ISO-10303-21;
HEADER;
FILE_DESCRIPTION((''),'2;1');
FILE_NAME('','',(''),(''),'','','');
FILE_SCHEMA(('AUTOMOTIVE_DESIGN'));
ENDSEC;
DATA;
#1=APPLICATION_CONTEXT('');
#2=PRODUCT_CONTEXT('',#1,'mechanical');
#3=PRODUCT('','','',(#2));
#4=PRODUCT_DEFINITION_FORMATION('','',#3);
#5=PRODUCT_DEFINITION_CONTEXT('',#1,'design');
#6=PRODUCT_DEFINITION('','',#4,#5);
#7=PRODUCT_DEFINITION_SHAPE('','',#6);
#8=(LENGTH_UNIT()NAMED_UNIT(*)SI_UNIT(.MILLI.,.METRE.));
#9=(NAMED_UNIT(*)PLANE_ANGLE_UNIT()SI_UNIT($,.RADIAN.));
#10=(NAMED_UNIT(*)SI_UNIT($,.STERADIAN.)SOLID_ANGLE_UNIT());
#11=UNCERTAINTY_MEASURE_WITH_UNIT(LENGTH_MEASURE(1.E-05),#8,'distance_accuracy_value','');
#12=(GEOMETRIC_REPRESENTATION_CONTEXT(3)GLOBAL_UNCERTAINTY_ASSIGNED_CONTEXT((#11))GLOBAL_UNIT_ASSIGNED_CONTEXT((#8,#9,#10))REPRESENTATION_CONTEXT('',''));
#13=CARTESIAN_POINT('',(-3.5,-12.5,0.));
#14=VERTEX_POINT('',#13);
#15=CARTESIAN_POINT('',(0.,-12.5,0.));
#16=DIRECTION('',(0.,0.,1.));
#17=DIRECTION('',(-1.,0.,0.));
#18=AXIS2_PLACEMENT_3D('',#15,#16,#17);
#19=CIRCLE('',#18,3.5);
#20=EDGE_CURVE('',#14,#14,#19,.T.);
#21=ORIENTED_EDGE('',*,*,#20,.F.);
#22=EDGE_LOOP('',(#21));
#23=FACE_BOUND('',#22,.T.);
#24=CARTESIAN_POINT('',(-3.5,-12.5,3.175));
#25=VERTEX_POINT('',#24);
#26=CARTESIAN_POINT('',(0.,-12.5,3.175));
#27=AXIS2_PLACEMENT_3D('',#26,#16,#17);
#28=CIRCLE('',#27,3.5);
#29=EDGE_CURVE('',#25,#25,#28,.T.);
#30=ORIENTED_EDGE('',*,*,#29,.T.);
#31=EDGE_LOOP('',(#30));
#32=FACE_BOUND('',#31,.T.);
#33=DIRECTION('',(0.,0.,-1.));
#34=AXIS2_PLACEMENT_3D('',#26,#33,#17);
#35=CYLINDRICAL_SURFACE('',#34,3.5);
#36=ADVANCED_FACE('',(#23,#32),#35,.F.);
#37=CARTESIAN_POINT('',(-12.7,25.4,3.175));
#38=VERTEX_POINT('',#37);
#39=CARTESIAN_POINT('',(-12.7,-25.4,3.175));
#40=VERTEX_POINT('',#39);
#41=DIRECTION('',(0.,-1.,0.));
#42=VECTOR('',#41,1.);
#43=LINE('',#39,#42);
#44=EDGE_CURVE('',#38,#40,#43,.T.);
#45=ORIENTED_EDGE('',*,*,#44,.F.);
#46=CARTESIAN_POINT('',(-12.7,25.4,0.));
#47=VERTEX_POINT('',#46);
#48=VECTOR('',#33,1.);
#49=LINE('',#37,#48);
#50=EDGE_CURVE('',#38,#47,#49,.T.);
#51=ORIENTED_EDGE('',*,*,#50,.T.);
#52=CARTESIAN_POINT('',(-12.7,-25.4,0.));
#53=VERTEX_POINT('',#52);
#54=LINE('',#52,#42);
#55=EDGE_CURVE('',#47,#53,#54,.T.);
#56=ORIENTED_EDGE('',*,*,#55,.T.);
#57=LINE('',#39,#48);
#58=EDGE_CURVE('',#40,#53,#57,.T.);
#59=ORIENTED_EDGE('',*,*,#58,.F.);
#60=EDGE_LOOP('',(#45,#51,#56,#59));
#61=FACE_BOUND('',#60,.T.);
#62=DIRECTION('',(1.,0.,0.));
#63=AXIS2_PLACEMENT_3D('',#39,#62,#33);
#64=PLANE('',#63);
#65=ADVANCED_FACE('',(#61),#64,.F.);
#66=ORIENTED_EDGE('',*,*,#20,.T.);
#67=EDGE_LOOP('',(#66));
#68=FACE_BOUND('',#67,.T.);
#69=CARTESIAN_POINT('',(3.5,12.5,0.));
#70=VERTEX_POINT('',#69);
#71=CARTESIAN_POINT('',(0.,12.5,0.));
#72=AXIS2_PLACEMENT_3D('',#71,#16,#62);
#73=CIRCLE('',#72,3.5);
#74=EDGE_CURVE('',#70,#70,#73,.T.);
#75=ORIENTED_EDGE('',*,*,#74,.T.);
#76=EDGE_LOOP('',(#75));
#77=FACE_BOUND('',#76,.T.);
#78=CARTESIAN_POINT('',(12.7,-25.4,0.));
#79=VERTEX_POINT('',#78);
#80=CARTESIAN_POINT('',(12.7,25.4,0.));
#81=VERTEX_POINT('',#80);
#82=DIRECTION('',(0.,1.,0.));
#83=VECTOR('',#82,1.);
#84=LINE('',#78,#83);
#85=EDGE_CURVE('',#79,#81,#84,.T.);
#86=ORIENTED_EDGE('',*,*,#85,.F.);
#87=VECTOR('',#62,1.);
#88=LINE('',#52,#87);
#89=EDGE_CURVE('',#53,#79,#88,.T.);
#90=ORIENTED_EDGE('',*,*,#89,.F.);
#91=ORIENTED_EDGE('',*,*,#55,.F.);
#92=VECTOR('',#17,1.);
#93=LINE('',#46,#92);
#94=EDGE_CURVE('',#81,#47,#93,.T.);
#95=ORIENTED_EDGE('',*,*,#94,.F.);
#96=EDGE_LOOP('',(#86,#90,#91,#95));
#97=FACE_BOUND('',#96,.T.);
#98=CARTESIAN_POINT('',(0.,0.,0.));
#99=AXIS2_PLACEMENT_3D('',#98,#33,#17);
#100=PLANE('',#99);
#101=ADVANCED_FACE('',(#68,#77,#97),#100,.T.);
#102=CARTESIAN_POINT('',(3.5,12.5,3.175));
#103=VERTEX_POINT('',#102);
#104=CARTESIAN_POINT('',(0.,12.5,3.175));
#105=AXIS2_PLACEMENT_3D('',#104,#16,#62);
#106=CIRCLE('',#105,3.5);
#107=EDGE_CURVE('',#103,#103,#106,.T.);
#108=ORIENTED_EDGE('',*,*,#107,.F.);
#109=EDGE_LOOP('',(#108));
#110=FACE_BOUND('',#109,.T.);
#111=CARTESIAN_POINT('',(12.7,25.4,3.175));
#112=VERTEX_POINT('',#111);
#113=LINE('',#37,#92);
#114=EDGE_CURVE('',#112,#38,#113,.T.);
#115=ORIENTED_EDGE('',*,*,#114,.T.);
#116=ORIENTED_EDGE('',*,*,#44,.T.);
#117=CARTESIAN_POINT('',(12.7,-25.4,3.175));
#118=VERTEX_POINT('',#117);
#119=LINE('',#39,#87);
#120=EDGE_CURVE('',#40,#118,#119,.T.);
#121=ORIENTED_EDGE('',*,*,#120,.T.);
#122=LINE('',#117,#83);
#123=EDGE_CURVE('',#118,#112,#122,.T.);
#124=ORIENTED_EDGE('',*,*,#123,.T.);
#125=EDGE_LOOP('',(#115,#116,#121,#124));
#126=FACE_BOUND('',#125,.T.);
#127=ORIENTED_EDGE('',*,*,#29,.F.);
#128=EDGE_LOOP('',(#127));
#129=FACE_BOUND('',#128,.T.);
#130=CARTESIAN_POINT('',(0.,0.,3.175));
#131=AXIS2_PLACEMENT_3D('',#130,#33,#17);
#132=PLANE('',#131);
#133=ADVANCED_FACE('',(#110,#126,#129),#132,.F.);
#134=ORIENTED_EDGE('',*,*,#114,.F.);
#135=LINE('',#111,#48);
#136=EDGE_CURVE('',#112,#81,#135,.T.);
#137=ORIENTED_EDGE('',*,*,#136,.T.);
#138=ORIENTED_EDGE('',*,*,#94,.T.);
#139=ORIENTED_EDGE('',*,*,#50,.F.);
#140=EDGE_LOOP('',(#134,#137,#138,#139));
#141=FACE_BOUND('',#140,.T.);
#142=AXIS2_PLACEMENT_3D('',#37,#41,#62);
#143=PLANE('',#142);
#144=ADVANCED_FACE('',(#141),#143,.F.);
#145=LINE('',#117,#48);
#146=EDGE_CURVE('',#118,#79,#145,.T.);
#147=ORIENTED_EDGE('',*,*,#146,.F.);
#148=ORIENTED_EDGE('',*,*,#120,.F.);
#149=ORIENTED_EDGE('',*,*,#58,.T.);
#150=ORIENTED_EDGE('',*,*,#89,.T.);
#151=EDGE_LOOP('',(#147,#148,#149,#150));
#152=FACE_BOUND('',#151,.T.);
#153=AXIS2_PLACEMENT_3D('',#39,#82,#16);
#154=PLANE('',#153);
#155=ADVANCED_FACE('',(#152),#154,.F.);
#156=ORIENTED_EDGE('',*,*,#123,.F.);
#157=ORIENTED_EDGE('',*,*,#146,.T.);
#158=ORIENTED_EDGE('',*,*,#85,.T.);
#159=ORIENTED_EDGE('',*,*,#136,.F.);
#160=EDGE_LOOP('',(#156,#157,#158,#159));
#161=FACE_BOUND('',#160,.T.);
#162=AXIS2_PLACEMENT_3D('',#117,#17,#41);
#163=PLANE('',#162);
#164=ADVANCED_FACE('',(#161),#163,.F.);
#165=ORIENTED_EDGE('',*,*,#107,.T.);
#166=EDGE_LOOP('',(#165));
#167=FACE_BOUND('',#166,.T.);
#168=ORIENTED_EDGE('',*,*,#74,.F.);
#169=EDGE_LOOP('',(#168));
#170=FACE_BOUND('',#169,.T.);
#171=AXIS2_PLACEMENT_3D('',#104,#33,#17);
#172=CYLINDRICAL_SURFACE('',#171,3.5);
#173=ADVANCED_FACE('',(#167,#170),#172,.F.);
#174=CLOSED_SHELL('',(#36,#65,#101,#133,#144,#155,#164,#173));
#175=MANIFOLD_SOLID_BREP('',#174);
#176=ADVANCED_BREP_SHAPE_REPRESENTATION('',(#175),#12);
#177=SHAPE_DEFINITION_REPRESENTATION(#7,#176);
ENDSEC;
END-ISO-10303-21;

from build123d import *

# Parameters (mm, degrees)
SKETCH1_W           = 25.4
SKETCH1_H           = 50.8
SKETCH1_R           = 3.5
BOSS_EXTRUDE1_DEPTH = 3.175


with BuildPart() as part:
    # Sketch1 → Boss-Extrude1 (new body)
    with BuildSketch(Plane.XY):
        Rectangle(SKETCH1_W, SKETCH1_H)
        with Locations((0, 12.5)):
            Circle(SKETCH1_R, mode=Mode.SUBTRACT)
        with Locations(Location((0, -12.5, 0), (0, 0, 180))):
            Circle(SKETCH1_R, mode=Mode.SUBTRACT)
    extrude(amount=BOSS_EXTRUDE1_DEPTH)


solid = part.part
